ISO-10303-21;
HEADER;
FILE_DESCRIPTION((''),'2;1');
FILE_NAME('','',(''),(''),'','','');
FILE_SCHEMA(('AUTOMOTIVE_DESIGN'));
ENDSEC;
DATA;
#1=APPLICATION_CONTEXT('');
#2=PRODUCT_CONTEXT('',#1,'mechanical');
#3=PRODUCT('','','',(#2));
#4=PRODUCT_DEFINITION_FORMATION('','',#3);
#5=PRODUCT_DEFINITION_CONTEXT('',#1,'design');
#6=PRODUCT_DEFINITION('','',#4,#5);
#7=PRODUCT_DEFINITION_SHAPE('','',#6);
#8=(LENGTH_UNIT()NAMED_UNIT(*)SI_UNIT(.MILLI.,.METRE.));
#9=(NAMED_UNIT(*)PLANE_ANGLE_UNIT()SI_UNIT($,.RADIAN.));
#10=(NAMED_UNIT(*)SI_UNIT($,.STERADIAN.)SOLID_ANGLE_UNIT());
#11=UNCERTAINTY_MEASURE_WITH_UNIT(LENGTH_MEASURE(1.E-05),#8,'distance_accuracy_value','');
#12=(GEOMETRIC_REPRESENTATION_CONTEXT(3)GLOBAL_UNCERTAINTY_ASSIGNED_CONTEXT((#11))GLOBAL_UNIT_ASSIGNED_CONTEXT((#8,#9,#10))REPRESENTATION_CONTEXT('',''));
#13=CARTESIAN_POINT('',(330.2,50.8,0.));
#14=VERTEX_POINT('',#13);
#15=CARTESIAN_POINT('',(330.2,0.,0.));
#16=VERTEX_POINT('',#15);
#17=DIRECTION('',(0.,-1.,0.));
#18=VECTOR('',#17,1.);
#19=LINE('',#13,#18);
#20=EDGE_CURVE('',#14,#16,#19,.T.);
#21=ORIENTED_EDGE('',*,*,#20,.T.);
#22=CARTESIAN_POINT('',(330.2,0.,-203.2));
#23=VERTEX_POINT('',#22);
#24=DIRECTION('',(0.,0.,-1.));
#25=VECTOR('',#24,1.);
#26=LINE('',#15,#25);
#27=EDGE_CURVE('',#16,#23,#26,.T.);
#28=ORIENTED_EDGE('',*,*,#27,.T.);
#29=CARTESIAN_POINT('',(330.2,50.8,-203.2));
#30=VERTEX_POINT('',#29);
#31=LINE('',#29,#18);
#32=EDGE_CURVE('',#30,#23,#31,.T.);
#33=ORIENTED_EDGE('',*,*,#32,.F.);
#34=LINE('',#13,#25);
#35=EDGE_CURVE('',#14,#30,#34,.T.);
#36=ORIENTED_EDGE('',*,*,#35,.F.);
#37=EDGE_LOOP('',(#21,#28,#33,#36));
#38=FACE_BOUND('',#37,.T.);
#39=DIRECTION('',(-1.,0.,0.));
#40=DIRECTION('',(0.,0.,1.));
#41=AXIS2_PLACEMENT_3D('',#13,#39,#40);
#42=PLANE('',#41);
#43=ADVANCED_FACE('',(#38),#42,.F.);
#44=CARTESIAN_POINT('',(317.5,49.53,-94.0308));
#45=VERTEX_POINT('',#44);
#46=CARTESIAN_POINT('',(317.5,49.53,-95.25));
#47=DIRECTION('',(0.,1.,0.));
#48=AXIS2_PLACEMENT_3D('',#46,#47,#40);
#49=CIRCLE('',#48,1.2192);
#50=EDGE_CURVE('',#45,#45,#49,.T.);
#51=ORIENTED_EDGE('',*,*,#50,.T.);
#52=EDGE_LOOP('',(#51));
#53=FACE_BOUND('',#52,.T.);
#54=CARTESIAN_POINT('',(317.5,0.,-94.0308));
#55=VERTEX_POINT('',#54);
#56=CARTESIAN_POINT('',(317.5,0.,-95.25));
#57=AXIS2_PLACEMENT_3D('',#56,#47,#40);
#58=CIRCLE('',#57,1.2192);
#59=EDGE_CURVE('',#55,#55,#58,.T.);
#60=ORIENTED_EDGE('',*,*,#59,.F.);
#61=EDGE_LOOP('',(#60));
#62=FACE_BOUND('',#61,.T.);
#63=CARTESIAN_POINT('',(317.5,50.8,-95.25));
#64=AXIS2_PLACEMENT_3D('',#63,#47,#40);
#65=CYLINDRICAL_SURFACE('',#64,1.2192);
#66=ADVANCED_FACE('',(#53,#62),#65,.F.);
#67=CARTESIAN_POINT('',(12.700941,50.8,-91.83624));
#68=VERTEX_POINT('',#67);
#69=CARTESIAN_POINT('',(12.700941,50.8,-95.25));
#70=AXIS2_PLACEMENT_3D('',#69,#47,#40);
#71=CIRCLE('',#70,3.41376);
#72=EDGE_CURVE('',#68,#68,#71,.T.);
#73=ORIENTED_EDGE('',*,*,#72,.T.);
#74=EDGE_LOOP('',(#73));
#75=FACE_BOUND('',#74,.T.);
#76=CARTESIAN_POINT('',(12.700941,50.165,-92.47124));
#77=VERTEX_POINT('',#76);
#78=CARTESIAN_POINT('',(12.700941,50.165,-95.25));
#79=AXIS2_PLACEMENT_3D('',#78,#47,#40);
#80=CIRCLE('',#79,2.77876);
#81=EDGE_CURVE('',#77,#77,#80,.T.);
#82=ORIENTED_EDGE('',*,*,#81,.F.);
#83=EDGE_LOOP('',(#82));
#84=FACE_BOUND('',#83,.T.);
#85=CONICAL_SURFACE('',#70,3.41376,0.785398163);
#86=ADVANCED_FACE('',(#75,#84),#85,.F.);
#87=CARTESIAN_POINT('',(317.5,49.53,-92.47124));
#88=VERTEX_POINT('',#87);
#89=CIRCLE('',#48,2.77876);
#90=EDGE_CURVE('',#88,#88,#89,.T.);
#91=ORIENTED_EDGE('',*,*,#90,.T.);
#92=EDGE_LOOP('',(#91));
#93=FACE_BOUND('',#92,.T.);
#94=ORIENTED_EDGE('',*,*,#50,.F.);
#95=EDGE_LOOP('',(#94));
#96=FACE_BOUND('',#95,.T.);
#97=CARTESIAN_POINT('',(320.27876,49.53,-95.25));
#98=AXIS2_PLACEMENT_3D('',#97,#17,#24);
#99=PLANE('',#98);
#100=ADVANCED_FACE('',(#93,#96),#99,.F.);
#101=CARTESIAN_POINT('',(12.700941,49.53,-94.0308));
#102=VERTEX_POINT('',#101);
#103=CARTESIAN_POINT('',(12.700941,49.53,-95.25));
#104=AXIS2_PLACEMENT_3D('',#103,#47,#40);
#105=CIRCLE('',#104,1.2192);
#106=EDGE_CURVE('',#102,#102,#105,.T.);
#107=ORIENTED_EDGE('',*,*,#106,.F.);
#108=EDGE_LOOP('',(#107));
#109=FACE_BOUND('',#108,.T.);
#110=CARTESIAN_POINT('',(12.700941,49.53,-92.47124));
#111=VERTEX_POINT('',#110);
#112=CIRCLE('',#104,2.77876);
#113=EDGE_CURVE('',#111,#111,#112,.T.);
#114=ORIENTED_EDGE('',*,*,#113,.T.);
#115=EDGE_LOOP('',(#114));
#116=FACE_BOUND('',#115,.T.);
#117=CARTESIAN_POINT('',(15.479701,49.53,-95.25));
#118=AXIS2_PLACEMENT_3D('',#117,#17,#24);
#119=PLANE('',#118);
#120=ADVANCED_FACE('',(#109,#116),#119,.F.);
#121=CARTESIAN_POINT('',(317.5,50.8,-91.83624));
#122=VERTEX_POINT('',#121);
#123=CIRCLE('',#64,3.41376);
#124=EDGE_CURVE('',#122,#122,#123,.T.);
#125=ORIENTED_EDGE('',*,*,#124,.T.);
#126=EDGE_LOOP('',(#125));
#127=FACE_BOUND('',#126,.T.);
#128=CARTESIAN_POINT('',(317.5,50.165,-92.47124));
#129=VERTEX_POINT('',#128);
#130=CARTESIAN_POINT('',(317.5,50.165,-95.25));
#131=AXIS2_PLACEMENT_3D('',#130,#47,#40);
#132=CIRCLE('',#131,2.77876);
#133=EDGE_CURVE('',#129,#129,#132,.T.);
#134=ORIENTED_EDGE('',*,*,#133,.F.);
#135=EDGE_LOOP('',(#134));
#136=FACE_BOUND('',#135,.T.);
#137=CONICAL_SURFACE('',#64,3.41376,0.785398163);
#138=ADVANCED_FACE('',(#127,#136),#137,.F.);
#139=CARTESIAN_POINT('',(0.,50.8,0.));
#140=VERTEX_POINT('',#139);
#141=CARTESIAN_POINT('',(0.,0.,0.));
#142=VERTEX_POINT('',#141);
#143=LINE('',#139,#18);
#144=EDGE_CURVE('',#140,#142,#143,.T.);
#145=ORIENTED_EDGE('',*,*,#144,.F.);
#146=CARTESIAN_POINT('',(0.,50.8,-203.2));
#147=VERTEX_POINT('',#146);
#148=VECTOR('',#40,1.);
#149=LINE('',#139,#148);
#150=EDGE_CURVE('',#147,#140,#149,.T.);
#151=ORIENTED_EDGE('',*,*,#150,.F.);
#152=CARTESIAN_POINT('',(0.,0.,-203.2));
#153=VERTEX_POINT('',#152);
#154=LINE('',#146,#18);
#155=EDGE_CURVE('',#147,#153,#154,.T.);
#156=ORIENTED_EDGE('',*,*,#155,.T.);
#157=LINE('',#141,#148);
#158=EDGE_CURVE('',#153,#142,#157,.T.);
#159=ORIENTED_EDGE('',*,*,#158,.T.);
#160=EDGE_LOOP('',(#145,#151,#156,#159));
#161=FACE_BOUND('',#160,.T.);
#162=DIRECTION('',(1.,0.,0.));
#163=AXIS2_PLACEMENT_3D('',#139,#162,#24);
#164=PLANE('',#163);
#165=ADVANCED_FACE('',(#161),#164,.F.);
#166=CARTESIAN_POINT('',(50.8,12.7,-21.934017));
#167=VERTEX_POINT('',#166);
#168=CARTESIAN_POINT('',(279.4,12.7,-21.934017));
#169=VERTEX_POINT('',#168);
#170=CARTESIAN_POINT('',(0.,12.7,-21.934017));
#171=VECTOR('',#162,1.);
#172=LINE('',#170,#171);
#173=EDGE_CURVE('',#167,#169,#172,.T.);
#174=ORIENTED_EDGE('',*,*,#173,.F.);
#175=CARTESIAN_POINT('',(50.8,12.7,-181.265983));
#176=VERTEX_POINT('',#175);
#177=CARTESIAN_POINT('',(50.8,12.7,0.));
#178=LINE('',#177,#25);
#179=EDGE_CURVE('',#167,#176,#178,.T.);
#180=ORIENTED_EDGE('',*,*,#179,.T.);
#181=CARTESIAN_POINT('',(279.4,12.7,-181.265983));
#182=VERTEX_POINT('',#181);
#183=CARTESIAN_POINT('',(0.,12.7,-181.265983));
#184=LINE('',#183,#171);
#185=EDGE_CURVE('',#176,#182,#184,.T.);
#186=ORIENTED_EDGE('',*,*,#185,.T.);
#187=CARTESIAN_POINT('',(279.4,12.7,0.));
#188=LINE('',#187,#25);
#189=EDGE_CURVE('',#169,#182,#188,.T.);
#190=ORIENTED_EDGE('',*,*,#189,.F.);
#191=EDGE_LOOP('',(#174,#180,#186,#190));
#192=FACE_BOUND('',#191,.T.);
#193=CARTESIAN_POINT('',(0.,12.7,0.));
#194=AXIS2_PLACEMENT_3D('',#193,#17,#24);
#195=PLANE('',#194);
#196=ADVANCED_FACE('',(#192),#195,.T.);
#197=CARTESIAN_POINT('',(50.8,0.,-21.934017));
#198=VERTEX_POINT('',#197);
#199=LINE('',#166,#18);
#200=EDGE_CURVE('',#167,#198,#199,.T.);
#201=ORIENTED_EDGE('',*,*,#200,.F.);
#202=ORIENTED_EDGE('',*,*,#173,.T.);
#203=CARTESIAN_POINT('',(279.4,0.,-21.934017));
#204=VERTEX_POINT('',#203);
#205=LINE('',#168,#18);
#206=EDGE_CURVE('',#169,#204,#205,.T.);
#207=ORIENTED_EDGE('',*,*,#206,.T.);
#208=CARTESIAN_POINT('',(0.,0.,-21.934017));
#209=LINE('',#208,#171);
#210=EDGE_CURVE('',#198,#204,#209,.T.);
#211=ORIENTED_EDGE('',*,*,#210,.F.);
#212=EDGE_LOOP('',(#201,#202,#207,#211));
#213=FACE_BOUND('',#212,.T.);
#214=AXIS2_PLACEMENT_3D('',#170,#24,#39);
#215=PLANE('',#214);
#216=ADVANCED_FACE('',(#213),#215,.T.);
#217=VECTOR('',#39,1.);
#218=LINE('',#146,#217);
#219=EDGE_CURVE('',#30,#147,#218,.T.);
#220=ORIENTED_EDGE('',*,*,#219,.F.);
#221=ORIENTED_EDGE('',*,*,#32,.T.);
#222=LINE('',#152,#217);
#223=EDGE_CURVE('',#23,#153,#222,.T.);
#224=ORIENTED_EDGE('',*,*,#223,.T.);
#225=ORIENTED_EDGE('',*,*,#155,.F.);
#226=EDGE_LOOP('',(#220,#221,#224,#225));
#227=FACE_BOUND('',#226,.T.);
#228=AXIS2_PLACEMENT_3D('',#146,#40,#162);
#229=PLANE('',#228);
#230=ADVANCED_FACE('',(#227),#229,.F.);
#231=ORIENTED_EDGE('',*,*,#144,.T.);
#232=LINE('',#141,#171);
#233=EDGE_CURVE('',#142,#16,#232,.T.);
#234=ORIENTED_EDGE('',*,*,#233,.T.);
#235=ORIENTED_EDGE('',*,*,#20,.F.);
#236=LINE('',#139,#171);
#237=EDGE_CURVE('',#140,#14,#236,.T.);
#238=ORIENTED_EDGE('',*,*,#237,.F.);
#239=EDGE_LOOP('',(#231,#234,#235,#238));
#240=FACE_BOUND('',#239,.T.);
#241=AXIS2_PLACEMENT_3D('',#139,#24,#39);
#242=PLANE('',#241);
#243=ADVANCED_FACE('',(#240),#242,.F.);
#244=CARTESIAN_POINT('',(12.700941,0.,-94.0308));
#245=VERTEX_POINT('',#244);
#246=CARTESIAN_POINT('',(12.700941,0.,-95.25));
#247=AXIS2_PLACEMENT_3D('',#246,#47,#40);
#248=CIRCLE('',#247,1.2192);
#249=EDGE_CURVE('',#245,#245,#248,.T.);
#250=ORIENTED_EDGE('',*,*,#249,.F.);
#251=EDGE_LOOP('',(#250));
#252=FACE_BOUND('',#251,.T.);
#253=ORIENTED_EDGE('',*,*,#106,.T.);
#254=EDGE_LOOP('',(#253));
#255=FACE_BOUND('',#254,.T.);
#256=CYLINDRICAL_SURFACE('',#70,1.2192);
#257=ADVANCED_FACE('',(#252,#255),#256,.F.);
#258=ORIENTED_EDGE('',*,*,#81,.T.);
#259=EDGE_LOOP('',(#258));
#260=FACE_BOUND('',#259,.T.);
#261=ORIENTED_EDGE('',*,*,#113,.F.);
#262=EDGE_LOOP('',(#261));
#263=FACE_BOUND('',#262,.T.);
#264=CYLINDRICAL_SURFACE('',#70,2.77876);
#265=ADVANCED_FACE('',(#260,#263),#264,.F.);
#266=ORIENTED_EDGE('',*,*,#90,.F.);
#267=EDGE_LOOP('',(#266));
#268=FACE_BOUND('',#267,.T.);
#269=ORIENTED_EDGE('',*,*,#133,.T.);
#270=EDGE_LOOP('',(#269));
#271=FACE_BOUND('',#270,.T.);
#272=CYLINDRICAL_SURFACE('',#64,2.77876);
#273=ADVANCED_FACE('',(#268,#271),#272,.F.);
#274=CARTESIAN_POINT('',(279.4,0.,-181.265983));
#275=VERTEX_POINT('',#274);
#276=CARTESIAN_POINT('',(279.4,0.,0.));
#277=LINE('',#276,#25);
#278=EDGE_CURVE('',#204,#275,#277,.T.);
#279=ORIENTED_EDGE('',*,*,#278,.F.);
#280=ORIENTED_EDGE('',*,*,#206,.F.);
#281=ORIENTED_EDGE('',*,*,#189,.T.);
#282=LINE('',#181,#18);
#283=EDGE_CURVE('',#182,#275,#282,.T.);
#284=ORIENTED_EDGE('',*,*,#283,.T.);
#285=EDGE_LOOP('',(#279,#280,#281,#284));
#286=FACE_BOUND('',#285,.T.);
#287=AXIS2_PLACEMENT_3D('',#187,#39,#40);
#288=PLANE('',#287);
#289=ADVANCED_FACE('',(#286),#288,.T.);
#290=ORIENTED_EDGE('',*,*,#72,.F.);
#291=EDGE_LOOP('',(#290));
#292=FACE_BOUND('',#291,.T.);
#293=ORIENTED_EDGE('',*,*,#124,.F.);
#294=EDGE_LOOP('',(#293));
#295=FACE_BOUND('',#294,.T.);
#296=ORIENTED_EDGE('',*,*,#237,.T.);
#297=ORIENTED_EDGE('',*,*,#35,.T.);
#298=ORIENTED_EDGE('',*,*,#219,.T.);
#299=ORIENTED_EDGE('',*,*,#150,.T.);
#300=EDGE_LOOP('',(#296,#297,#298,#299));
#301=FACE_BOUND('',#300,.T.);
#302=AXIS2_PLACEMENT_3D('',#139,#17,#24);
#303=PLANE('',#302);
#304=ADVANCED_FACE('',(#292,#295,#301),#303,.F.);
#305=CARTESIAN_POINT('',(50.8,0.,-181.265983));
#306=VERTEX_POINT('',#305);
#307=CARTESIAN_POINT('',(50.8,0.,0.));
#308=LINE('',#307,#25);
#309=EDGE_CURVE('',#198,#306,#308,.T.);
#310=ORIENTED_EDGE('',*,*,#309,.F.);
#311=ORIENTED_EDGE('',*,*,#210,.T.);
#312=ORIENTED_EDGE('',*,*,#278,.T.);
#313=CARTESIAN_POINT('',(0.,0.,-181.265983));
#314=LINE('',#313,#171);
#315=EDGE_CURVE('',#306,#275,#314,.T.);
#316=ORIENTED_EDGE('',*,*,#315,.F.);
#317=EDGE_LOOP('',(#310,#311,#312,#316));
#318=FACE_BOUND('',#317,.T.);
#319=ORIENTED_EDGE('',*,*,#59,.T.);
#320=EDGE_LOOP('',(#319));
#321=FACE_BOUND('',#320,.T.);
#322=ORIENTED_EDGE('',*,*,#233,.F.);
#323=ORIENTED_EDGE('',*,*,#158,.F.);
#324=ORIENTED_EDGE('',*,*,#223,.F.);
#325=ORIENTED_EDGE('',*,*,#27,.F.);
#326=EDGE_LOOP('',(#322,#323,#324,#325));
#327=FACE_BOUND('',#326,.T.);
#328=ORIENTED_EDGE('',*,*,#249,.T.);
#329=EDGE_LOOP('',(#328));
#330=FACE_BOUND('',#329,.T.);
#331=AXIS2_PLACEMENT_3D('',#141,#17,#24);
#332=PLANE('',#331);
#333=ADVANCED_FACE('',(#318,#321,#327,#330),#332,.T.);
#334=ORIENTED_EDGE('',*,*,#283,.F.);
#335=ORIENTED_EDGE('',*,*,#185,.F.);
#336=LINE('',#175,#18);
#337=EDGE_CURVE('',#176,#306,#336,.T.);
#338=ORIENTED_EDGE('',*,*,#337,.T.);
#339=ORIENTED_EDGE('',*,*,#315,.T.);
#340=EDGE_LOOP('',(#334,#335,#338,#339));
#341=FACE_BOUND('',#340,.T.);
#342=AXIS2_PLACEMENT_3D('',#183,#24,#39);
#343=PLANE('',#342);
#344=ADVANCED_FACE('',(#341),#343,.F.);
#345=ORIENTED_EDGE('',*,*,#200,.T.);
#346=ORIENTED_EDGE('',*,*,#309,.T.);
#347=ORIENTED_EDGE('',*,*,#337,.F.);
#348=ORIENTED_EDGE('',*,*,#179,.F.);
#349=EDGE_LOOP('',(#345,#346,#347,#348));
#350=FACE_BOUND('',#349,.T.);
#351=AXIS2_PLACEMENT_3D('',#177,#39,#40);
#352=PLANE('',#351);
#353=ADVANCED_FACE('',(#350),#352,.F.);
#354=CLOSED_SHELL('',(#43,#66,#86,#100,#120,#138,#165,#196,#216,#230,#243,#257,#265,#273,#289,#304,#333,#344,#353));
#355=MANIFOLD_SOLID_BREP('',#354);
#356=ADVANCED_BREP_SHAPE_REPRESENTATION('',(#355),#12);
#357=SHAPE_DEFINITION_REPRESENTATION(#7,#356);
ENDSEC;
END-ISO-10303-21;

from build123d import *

# Parameters (mm, degrees)
SKETCH1_W                                   = 330.2
SKETCH1_H                                   = 203.2
BOSS_EXTRUDE1_DEPTH                         = 50.8
CUT_EXTRUDE1_DEPTH                          = 12.7
CBORE_FOR_2_BINDING_HEAD_MACHINE_SC_2_COUNT = 2
CBORE_FOR_2_BINDING_HEAD_MACHINE_SC_2_PITCH = 304.799059425


with BuildPart() as part:
    # Sketch1 → Boss-Extrude1 (new body)
    with BuildSketch(Plane(origin=(0, 0, 0), x_dir=(1, 0, 0), z_dir=(0, 1, 0))):
        with Locations((165.1, 101.6)):
            Rectangle(SKETCH1_W, SKETCH1_H)
    extrude(amount=BOSS_EXTRUDE1_DEPTH)

    # Sketch3 → Cut-Extrude1 (cut)
    with BuildSketch(Plane.XZ):
        Polygon((279.4, -181.265982614), (279.4, -104.941398829), (279.4, -104.237946444), (279.4, -21.934017386), (50.8, -21.934017386), (50.8, -181.265982614), align=None)
    extrude(amount=-CUT_EXTRUDE1_DEPTH, mode=Mode.SUBTRACT)

    # Sketch5 → CBORE for #2 Binding Head Machine Screw1 (revolve, cut)
    with BuildSketch(Plane(origin=(12.700940575, 50.8, -95.25), x_dir=(0, 0, 1), z_dir=(1, 0, 0))):
        Polygon((0, 0), (0, 50.8), (1.2192, 50.8), (1.2192, 1.27), (2.77876, 1.27), (2.77876, 0.635), (3.41376, 0), align=None)
    cbore_for_2_binding_head_machine_screw1 = revolve(axis=Axis((12.700940575, 57.15, -95.25), (0, -1, 0)), mode=Mode.SUBTRACT)

    # CBORE for _2 Binding Head Machine Sc 2: CBORE for #2 Binding Head Machine Screw1 ×2
    with Locations(*[(i * CBORE_FOR_2_BINDING_HEAD_MACHINE_SC_2_PITCH, 0, 0) for i in range(1, CBORE_FOR_2_BINDING_HEAD_MACHINE_SC_2_COUNT)]):
        add(cbore_for_2_binding_head_machine_screw1, mode=Mode.SUBTRACT)


solid = part.part
